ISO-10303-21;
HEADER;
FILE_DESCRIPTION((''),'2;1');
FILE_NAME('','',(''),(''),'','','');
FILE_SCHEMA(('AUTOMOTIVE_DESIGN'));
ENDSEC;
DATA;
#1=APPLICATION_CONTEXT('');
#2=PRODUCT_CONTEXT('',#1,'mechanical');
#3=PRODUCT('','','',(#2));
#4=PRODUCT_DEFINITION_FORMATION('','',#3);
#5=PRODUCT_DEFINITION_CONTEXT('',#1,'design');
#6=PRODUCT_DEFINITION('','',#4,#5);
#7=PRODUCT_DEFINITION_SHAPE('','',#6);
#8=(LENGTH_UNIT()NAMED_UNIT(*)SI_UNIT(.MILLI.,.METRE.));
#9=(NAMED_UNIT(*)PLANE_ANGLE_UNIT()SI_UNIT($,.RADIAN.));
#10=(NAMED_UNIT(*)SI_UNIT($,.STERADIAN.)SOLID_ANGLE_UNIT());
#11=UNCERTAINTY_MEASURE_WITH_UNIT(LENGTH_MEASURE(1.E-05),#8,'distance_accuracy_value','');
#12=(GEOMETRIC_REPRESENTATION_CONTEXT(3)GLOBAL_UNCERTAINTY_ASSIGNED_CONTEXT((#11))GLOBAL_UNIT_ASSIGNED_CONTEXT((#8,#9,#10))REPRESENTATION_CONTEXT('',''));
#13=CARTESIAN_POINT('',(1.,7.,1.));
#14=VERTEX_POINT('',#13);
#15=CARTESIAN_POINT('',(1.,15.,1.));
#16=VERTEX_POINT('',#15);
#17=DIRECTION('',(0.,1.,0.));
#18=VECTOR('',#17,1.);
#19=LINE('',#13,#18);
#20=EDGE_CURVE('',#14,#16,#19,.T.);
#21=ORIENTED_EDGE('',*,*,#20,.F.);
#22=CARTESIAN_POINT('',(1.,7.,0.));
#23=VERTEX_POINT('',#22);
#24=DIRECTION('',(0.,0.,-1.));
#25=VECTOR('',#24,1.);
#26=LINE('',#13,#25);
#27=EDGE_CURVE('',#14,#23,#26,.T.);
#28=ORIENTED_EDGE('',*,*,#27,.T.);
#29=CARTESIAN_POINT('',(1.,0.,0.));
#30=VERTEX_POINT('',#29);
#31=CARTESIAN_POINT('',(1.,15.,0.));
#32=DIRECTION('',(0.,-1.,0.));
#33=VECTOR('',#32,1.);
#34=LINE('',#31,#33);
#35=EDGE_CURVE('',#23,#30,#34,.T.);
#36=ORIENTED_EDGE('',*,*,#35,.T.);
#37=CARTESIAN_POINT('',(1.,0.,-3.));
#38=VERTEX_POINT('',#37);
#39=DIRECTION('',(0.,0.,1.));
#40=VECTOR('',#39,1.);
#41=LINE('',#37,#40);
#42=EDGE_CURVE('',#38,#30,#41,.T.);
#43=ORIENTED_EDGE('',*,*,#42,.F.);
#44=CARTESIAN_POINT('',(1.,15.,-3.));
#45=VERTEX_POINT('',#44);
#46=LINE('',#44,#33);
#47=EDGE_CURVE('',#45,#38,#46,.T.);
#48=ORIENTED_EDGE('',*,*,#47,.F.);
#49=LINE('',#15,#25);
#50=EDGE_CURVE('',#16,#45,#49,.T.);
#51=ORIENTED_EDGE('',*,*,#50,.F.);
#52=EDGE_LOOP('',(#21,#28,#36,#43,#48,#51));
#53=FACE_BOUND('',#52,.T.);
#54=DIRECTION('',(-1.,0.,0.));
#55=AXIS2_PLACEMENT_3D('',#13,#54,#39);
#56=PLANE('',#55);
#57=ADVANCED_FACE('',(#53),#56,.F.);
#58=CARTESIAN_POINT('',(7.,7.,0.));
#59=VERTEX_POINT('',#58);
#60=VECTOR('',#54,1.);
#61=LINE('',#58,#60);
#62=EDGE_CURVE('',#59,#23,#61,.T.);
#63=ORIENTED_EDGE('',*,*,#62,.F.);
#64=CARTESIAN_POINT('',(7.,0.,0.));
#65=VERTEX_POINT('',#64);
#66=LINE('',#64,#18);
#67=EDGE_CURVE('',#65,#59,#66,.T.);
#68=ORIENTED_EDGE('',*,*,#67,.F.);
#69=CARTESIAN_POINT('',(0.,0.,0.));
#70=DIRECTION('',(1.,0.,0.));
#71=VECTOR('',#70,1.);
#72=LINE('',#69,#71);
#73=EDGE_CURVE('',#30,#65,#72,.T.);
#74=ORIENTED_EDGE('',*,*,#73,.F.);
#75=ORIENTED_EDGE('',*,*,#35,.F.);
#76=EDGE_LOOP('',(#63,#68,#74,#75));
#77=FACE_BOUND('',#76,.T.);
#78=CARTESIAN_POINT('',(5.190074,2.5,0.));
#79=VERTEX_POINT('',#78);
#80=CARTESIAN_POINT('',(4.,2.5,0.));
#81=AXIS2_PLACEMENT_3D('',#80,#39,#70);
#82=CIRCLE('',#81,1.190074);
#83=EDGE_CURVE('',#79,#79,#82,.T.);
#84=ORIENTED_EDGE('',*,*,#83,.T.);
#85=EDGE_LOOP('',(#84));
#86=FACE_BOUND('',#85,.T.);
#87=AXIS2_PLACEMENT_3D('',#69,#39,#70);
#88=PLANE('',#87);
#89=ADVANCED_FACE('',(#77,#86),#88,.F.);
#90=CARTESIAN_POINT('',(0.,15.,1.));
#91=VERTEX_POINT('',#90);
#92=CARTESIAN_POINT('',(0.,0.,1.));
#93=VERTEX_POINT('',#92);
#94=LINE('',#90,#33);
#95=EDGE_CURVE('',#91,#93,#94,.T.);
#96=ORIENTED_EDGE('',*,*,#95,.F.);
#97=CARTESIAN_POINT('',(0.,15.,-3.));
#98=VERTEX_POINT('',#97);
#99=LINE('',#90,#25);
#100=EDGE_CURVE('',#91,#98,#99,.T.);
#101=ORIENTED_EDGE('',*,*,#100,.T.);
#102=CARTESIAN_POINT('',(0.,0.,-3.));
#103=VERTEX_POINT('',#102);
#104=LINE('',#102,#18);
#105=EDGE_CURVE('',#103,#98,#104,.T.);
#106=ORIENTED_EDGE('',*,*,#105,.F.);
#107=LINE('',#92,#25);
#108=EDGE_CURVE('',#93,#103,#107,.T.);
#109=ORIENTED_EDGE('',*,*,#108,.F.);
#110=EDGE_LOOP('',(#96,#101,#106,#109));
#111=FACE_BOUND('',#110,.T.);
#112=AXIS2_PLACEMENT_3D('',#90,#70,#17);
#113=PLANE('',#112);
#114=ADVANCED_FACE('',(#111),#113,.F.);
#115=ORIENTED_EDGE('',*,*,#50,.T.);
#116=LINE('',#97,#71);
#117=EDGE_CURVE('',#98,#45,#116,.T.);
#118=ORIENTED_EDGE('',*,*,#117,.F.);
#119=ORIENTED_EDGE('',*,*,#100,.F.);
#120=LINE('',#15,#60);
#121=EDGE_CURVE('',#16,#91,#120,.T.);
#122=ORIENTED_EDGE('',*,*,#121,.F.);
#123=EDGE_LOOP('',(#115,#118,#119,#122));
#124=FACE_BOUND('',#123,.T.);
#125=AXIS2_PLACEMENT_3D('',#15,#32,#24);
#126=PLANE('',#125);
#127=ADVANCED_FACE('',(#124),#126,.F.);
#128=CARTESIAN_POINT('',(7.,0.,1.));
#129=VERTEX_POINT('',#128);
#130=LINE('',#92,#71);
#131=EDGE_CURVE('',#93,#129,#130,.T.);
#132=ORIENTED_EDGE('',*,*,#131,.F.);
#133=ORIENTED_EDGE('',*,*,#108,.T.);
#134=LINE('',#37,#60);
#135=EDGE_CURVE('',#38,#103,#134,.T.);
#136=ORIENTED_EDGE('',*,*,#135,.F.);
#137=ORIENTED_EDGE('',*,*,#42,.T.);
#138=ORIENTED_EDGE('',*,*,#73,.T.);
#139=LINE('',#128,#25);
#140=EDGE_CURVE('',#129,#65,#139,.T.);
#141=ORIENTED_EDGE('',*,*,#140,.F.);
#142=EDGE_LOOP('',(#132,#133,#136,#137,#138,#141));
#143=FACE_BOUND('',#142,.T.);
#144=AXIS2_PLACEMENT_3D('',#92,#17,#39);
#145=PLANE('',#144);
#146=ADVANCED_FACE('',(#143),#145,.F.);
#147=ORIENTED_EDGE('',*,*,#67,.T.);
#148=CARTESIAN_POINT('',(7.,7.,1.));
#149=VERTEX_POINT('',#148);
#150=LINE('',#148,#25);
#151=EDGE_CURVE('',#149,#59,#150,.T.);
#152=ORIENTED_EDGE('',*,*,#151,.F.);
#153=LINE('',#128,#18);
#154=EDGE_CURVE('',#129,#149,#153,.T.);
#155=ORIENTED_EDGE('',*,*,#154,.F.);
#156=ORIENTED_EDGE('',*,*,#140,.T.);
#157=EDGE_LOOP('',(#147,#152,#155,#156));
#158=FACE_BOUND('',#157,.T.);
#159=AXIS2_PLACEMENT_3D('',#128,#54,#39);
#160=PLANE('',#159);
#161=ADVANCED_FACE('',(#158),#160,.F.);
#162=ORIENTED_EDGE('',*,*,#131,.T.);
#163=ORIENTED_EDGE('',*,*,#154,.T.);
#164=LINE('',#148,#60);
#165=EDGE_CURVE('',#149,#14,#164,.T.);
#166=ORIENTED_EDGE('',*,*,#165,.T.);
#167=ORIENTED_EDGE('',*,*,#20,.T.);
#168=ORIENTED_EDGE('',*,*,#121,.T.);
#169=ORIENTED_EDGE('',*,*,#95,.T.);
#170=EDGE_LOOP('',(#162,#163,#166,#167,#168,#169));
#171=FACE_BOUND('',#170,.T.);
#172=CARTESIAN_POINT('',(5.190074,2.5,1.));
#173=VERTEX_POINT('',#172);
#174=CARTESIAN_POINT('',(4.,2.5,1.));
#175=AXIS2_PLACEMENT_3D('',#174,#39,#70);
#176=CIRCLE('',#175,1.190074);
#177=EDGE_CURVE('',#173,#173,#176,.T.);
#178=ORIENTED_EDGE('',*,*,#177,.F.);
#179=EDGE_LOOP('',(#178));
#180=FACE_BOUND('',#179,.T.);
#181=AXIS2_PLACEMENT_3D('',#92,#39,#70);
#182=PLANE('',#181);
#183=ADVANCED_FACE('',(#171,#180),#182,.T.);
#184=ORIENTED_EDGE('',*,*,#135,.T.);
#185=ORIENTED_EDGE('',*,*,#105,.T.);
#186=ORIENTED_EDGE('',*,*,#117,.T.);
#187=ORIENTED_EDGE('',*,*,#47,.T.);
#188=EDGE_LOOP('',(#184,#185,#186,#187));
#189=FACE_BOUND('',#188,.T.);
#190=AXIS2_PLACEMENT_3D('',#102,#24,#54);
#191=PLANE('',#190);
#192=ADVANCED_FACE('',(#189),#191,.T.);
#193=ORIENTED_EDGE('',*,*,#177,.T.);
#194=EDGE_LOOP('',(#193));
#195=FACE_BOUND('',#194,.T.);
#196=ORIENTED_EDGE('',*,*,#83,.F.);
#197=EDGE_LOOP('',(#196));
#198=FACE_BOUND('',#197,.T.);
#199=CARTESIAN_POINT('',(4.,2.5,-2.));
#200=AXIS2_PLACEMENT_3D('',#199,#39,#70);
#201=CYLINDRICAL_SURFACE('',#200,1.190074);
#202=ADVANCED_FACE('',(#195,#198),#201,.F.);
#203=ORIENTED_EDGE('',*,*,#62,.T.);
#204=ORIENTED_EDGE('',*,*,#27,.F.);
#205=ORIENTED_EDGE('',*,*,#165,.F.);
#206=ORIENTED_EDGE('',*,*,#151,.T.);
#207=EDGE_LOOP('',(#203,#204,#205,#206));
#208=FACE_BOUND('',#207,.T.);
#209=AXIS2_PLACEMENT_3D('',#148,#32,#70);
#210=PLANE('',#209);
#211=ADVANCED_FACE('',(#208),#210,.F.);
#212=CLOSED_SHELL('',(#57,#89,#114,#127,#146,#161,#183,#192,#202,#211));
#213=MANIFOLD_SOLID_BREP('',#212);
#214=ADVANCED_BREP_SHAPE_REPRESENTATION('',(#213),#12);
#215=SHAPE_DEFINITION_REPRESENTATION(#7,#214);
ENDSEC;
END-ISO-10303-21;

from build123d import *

# Parameters (mm, degrees)
BOSS_EXTRUDE1_DEPTH = 1
SKETCH2_W           = 1
SKETCH2_H           = 15
BOSS_EXTRUDE2_DEPTH = 3
SKETCH4_R           = 1.190073959
CUT_EXTRUDE1_DEPTH  = 3


with BuildPart() as part:
    # Sketch1 → Boss-Extrude1 (new body)
    with BuildSketch(Plane.XY):
        Polygon((0, 0), (7, 0), (7, 7), (1, 7), (1, 15), (0, 15), align=None)
    extrude(amount=BOSS_EXTRUDE1_DEPTH)

    # Sketch2 → Boss-Extrude2 (add)
    with BuildSketch(Plane(origin=(0, 0, 0), x_dir=(-1, 0, 0), z_dir=(0, 0, -1))):
        with Locations((-0.5, 7.5)):
            Rectangle(SKETCH2_W, SKETCH2_H)
    extrude(amount=BOSS_EXTRUDE2_DEPTH)

    # Sketch4 → Cut-Extrude1 (cut)
    with BuildSketch(Plane.XY.offset(1)):
        with Locations((4, 2.5)):
            Circle(SKETCH4_R)
    extrude(amount=-CUT_EXTRUDE1_DEPTH, mode=Mode.SUBTRACT)


solid = part.part
